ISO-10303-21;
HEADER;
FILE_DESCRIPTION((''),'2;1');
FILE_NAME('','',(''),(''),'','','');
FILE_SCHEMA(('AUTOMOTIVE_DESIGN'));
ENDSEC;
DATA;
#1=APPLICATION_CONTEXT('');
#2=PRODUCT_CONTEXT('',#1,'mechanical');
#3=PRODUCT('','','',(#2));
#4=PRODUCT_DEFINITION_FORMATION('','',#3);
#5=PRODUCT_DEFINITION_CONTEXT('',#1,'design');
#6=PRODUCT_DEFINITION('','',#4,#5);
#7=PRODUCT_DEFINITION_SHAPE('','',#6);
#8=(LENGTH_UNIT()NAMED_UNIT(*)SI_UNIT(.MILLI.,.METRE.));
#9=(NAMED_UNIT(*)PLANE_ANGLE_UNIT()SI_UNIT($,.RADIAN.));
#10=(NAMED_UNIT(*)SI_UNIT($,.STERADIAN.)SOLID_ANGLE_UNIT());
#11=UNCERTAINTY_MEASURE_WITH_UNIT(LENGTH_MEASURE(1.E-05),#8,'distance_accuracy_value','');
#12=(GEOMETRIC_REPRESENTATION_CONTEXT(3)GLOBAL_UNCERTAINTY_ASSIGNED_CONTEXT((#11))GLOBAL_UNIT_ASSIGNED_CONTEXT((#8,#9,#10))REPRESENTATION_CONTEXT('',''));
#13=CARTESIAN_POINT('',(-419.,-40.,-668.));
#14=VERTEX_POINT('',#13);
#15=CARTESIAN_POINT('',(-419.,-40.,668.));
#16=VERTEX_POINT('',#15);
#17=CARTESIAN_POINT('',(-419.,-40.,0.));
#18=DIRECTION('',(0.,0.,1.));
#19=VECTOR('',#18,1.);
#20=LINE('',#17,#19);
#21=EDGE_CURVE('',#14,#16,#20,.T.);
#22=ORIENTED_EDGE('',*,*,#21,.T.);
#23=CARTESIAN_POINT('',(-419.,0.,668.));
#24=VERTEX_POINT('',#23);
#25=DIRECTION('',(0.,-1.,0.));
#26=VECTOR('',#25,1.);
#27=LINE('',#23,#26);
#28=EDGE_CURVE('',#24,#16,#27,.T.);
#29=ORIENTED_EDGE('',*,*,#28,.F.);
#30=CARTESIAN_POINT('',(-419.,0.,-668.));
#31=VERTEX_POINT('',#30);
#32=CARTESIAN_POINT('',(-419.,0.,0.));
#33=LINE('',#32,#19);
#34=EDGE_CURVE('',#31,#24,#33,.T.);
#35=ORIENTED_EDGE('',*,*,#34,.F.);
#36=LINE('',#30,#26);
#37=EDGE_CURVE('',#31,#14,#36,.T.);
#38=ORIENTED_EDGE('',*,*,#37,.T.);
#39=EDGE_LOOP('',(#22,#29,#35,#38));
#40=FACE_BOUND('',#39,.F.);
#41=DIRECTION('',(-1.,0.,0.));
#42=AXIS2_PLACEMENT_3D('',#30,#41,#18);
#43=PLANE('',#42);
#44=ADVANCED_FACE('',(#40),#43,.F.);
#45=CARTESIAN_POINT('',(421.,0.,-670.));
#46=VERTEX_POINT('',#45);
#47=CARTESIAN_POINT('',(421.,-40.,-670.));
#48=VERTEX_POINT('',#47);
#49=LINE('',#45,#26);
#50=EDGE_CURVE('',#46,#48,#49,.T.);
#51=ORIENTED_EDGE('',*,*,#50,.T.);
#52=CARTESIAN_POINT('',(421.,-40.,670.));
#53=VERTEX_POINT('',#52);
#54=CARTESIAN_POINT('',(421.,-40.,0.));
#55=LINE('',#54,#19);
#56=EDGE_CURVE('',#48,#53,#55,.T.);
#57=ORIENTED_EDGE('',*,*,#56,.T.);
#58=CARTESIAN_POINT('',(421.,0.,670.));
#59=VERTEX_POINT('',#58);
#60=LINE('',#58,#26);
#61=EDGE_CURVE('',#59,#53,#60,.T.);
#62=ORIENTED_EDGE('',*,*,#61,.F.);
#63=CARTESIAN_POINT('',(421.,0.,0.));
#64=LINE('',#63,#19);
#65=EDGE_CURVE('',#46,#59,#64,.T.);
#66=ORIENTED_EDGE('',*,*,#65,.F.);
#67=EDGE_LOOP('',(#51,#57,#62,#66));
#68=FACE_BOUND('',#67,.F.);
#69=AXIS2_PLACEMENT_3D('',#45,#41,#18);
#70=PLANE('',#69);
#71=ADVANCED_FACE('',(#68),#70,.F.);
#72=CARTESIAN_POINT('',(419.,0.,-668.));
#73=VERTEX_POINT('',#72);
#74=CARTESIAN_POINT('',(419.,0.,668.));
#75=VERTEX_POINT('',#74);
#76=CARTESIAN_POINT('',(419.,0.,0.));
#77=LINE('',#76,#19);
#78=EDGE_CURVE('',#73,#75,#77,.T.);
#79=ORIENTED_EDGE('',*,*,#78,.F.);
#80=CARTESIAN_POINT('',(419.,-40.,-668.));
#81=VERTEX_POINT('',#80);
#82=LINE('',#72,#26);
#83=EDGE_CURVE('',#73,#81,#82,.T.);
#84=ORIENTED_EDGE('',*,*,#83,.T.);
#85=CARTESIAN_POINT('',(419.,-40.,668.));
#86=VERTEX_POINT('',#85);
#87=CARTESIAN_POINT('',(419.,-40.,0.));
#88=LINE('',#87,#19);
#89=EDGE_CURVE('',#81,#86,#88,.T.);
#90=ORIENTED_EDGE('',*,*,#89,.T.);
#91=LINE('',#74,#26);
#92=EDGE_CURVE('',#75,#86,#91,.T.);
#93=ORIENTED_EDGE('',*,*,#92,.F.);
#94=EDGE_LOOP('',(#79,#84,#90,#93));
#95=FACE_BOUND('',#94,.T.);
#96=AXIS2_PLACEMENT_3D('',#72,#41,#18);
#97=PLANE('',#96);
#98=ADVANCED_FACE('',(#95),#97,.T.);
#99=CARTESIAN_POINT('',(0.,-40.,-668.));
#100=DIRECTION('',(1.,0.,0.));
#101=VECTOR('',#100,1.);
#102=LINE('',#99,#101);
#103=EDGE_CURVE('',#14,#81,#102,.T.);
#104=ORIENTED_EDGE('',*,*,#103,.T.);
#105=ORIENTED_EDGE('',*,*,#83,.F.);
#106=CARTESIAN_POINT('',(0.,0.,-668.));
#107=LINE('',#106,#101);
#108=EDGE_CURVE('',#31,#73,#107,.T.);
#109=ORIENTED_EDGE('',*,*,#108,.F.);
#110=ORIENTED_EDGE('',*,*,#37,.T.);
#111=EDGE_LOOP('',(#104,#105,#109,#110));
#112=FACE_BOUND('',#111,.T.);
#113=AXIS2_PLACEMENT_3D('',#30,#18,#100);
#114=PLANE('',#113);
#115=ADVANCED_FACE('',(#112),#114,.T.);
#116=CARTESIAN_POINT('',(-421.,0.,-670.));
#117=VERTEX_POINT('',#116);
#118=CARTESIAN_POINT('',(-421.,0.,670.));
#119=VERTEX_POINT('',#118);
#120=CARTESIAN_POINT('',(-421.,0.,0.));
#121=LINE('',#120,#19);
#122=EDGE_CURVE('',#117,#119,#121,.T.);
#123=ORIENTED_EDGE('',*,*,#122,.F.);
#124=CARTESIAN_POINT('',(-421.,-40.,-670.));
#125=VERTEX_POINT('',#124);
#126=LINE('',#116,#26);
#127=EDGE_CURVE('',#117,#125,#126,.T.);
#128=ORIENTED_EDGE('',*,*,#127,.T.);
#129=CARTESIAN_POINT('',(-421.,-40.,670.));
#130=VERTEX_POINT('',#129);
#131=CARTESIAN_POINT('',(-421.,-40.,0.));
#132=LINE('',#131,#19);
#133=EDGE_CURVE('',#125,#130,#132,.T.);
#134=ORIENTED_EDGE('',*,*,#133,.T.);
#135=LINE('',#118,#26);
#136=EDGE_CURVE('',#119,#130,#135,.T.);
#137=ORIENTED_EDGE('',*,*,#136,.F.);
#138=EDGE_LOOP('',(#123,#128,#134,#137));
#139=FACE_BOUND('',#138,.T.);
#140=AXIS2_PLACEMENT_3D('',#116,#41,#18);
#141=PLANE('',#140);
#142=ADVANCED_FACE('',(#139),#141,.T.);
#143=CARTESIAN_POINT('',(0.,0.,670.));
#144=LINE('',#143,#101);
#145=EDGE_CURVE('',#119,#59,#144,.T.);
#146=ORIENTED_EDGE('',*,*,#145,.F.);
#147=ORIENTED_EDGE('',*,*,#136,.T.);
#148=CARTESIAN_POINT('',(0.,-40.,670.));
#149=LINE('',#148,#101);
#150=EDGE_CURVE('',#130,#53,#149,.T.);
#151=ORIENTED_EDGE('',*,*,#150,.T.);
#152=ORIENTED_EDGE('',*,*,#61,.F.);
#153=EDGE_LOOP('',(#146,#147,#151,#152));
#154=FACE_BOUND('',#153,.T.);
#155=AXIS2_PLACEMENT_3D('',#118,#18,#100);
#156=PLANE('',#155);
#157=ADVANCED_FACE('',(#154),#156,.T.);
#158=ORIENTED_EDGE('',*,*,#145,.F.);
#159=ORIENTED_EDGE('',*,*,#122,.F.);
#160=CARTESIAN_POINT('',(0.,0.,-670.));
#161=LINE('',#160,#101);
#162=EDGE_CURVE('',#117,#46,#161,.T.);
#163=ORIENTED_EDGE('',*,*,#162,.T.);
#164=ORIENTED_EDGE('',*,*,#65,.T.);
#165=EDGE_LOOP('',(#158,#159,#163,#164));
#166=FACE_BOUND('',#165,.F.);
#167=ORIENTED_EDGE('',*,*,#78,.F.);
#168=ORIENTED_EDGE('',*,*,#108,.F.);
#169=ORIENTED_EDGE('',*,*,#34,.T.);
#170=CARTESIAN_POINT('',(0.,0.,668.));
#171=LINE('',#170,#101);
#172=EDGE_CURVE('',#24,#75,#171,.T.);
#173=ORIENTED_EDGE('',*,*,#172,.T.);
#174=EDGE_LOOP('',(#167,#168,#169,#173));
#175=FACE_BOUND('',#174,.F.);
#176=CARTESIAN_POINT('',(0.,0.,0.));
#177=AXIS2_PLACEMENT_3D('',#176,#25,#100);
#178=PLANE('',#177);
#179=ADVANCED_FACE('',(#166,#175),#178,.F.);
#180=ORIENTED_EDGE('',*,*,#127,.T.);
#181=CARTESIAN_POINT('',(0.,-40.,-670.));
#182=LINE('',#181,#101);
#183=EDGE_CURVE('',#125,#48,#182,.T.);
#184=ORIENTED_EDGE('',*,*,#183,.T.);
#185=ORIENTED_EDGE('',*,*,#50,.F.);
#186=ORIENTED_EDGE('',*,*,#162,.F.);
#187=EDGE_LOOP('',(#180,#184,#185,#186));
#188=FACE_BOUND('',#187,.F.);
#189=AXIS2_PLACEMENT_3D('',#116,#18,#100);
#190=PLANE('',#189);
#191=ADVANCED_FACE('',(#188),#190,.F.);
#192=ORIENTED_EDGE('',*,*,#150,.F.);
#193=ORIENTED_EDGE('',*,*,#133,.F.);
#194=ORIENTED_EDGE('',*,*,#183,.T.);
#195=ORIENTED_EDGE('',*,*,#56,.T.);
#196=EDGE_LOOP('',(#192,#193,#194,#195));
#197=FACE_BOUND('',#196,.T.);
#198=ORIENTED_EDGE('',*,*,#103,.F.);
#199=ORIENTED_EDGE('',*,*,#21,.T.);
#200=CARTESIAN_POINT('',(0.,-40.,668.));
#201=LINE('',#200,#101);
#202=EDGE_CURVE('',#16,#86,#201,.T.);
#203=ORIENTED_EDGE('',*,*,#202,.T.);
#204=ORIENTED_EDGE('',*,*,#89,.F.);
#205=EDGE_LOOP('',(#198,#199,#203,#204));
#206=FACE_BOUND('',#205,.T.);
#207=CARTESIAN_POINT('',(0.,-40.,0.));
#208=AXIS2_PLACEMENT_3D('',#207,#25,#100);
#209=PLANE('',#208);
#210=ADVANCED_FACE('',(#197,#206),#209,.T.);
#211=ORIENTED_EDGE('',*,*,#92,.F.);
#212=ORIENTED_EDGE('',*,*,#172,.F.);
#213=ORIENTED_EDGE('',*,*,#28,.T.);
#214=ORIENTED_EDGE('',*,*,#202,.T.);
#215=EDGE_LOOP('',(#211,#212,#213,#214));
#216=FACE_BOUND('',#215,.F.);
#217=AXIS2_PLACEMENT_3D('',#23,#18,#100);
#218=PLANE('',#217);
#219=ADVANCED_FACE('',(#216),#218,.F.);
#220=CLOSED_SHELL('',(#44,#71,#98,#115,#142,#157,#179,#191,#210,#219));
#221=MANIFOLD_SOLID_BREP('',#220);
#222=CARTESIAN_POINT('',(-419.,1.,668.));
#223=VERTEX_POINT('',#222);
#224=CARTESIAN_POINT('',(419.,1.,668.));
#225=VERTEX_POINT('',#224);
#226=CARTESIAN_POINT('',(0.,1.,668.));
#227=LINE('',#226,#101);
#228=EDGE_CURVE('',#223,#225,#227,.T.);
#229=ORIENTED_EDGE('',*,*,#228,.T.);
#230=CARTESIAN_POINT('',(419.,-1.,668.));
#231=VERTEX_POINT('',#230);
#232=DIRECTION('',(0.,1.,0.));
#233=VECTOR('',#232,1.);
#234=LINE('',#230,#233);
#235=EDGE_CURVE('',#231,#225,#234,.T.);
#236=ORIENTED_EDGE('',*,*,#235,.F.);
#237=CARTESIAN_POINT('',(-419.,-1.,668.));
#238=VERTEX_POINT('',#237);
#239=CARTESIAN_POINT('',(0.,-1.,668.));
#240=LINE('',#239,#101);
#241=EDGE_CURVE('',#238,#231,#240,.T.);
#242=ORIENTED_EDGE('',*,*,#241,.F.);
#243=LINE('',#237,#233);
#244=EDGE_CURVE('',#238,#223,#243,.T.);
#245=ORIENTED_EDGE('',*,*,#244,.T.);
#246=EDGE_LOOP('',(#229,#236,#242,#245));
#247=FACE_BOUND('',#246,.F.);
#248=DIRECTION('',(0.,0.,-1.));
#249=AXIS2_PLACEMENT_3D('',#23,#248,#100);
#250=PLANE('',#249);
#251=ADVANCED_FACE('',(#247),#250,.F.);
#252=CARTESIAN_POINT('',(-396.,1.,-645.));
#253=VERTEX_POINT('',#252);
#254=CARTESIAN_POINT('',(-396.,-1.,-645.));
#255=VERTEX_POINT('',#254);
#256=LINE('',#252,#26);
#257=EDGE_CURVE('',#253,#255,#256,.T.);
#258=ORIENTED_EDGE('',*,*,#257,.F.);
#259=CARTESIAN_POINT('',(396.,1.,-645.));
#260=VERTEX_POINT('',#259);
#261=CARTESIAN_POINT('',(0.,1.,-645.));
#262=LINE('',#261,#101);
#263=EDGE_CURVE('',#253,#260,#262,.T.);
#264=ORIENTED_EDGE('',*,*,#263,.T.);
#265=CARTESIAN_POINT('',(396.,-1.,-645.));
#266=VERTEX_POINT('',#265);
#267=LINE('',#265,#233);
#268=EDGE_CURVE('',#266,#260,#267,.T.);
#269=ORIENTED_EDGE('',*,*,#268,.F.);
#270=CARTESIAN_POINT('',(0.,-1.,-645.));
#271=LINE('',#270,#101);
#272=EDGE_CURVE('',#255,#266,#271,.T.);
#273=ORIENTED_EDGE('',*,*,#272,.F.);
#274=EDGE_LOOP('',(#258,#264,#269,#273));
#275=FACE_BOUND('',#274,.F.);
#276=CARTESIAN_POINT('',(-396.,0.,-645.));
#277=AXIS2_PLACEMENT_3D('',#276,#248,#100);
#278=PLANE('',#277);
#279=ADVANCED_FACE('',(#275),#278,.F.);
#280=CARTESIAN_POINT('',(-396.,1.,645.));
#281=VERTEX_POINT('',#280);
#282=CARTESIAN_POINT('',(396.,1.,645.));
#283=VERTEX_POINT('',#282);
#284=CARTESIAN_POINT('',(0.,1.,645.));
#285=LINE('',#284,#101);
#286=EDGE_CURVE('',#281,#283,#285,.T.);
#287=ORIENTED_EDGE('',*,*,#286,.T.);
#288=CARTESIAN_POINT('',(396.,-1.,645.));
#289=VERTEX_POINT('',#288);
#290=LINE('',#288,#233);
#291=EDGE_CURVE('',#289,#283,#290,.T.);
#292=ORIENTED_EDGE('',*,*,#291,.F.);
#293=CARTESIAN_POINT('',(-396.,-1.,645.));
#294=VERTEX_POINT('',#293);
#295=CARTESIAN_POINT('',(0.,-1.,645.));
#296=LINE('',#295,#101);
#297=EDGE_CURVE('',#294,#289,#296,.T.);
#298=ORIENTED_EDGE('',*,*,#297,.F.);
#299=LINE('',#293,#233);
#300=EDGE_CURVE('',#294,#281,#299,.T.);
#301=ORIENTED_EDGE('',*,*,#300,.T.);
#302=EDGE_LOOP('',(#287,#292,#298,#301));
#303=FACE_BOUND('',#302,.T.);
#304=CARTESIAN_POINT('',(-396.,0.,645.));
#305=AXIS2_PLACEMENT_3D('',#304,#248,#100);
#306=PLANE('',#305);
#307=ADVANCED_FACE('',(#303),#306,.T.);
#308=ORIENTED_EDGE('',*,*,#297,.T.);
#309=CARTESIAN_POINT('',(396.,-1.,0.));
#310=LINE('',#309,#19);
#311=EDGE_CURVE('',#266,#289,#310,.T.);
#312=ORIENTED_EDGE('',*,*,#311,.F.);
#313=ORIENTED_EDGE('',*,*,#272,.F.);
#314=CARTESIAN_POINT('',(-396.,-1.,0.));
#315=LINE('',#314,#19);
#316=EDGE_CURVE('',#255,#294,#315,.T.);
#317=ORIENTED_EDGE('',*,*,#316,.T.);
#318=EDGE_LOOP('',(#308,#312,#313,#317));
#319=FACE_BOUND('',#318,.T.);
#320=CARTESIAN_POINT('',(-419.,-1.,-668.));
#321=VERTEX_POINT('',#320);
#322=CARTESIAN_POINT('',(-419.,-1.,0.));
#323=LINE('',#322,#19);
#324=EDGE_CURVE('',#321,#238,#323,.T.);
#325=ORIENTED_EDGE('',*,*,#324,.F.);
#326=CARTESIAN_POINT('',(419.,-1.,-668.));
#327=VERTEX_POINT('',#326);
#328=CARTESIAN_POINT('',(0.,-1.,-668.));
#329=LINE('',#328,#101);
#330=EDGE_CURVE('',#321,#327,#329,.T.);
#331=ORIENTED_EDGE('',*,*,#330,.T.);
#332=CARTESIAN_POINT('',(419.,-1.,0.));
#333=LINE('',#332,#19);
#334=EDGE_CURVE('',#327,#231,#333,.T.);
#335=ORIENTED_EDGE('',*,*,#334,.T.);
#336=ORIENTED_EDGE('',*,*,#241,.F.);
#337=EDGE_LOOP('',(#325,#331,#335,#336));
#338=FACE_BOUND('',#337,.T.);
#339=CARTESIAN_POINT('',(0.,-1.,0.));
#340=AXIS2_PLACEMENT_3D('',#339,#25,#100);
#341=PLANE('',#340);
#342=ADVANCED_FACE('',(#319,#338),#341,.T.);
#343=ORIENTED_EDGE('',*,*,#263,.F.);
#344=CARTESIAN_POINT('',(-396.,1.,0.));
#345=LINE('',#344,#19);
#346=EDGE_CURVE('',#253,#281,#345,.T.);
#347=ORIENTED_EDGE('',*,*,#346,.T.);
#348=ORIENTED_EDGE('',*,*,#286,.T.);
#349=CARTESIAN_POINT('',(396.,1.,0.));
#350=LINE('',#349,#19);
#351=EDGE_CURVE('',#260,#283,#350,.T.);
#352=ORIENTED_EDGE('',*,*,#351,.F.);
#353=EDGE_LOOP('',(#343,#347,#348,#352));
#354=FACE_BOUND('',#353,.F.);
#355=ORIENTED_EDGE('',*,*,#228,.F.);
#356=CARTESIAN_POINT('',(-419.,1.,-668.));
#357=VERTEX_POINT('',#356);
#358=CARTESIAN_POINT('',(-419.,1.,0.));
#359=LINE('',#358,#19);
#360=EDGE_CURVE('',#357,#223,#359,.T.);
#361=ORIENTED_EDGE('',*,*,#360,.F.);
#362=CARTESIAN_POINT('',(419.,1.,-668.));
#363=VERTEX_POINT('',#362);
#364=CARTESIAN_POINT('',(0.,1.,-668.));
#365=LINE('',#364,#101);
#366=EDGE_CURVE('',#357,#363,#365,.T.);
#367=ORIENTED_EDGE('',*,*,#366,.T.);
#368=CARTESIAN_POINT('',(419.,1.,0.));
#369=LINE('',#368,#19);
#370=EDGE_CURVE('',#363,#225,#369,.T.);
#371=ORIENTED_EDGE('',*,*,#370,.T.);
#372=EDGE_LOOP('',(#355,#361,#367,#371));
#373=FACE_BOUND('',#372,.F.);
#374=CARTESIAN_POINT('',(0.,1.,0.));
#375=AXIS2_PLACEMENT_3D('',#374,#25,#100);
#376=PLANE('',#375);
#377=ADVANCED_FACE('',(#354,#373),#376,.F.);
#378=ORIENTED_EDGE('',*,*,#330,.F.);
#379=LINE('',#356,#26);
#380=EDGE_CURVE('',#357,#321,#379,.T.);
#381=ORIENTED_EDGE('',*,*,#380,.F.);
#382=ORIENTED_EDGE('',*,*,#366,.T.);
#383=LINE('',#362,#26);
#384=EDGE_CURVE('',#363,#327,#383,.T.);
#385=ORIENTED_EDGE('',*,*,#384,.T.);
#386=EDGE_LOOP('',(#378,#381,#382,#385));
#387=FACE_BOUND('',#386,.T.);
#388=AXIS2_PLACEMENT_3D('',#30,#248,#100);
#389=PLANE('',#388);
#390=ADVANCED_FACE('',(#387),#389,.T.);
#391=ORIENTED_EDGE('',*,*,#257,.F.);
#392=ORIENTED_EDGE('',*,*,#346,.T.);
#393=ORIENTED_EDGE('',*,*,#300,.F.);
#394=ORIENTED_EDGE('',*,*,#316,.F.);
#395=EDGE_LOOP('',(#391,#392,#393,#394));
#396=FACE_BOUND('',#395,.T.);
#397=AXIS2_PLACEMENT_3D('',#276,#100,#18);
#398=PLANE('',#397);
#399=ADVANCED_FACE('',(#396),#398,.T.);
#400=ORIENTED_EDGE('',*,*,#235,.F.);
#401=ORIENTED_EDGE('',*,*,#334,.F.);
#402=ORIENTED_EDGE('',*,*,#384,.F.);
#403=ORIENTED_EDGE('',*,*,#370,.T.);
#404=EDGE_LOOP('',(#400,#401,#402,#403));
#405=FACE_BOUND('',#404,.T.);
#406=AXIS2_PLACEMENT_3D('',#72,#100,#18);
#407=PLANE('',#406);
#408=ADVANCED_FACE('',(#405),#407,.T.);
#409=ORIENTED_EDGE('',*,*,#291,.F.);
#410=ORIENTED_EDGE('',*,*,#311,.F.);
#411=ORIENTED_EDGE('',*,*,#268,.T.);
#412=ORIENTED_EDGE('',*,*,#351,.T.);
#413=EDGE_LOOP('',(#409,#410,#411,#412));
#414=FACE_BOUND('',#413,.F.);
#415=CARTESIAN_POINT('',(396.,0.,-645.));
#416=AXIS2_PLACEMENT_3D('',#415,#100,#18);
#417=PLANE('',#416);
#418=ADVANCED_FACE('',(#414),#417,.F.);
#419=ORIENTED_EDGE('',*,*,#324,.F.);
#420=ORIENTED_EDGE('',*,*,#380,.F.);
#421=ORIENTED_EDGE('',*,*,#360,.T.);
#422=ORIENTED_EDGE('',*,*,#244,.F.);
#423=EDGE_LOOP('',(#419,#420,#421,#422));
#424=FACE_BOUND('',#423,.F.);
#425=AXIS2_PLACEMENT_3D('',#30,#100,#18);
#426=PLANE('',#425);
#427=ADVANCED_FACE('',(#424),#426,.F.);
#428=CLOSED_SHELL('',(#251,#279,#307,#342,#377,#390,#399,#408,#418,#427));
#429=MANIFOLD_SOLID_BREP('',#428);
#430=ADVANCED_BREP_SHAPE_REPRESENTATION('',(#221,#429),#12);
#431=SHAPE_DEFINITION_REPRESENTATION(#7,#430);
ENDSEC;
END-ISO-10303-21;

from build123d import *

# Parameters (mm, degrees)
F0_W     = 838
F0_H     = 1336
F0_W_2   = 792
F0_H_2   = 1290
F1_DEPTH = 1
F2_W     = 842
F2_H     = 1340
F2_W_2   = 838
F2_H_2   = 1336
F3_DEPTH = 40


with BuildPart() as f1:
    # F0 (on Front) → F1 (new body, symmetric)
    with BuildSketch(Plane.XZ):
        Rectangle(F0_W, F0_H)
        Rectangle(F0_W_2, F0_H_2, mode=Mode.SUBTRACT)
    extrude(amount=F1_DEPTH, both=True)


with BuildPart() as f3:
    # F2 (on face) → F3 (new body)
    with BuildSketch(Plane.XZ):
        Rectangle(F2_W, F2_H)
        Rectangle(F2_W_2, F2_H_2, mode=Mode.SUBTRACT)
    extrude(amount=F3_DEPTH)


solid = Compound([f1.part, f3.part])
